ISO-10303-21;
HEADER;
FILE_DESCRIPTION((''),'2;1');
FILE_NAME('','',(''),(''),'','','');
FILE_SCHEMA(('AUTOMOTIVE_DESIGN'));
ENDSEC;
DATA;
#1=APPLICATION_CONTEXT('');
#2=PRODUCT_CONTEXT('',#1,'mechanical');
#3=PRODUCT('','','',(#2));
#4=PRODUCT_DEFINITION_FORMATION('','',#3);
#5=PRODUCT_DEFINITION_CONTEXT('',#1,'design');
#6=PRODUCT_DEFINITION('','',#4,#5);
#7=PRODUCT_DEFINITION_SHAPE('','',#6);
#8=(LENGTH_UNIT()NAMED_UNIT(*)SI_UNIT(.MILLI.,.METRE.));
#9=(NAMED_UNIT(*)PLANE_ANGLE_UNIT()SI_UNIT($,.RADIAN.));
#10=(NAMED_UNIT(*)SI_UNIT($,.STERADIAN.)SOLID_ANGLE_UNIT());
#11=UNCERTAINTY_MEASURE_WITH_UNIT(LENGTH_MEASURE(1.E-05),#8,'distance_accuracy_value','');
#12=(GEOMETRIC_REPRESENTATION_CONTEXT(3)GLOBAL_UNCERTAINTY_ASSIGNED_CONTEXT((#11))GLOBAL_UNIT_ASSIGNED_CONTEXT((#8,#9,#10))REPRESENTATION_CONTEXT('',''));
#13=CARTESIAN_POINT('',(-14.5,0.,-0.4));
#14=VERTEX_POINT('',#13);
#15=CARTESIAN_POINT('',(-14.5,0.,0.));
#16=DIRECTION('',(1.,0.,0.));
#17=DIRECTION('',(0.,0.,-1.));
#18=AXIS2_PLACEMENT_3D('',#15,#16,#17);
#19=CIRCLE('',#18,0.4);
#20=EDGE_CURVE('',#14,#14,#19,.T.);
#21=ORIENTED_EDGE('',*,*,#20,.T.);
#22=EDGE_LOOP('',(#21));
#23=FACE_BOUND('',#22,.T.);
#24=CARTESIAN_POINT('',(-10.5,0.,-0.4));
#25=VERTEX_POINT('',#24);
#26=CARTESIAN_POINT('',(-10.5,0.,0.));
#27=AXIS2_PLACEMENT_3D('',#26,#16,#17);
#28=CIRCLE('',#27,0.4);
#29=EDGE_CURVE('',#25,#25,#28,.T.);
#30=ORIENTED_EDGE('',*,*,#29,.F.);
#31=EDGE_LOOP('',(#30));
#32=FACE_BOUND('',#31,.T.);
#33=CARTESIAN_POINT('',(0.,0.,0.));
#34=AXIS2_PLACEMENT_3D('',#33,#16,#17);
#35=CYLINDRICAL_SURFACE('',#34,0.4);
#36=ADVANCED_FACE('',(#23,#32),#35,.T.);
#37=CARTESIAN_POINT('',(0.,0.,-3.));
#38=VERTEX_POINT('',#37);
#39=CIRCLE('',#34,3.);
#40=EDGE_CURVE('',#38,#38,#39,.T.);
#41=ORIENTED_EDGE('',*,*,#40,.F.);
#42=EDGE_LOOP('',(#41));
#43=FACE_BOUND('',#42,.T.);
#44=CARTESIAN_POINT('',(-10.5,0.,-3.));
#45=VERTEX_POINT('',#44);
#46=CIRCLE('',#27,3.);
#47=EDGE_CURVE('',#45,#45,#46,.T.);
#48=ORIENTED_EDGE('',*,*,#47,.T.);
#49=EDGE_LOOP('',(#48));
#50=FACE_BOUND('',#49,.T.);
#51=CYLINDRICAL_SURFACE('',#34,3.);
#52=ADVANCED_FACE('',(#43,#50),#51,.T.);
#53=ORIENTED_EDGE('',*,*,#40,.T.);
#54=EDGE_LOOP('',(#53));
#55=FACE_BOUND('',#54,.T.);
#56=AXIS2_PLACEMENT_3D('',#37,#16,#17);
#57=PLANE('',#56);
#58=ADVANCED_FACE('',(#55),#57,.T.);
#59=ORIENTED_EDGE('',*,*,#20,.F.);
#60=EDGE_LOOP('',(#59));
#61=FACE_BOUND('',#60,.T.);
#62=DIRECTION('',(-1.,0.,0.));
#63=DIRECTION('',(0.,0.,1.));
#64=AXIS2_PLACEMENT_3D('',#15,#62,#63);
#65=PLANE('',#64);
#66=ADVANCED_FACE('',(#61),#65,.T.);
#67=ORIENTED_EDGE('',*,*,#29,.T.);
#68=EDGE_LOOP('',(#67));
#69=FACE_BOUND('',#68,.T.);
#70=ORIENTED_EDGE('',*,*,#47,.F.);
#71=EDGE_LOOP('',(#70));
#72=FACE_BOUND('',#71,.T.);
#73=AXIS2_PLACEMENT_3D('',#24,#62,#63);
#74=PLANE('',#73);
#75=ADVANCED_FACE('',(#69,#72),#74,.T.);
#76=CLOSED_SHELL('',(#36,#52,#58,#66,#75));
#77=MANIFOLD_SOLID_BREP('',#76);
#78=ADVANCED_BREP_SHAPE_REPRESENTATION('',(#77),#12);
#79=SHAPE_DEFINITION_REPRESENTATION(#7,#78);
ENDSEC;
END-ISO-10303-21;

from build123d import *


with BuildPart() as part:
    # Sketch1 → Revolve1 (revolve)
    with BuildSketch(Plane(origin=(0, 0, 0), x_dir=(1, 0, 0), z_dir=(0, 1, 0))):
        Polygon((0, 0), (-14.5, 0), (-14.5, 0.4), (-10.5, 0.4), (-10.5, 3), (0, 3), align=None)
    revolve(axis=Axis((0, 0, 0), (-1, 0, 0)))


solid = part.part
